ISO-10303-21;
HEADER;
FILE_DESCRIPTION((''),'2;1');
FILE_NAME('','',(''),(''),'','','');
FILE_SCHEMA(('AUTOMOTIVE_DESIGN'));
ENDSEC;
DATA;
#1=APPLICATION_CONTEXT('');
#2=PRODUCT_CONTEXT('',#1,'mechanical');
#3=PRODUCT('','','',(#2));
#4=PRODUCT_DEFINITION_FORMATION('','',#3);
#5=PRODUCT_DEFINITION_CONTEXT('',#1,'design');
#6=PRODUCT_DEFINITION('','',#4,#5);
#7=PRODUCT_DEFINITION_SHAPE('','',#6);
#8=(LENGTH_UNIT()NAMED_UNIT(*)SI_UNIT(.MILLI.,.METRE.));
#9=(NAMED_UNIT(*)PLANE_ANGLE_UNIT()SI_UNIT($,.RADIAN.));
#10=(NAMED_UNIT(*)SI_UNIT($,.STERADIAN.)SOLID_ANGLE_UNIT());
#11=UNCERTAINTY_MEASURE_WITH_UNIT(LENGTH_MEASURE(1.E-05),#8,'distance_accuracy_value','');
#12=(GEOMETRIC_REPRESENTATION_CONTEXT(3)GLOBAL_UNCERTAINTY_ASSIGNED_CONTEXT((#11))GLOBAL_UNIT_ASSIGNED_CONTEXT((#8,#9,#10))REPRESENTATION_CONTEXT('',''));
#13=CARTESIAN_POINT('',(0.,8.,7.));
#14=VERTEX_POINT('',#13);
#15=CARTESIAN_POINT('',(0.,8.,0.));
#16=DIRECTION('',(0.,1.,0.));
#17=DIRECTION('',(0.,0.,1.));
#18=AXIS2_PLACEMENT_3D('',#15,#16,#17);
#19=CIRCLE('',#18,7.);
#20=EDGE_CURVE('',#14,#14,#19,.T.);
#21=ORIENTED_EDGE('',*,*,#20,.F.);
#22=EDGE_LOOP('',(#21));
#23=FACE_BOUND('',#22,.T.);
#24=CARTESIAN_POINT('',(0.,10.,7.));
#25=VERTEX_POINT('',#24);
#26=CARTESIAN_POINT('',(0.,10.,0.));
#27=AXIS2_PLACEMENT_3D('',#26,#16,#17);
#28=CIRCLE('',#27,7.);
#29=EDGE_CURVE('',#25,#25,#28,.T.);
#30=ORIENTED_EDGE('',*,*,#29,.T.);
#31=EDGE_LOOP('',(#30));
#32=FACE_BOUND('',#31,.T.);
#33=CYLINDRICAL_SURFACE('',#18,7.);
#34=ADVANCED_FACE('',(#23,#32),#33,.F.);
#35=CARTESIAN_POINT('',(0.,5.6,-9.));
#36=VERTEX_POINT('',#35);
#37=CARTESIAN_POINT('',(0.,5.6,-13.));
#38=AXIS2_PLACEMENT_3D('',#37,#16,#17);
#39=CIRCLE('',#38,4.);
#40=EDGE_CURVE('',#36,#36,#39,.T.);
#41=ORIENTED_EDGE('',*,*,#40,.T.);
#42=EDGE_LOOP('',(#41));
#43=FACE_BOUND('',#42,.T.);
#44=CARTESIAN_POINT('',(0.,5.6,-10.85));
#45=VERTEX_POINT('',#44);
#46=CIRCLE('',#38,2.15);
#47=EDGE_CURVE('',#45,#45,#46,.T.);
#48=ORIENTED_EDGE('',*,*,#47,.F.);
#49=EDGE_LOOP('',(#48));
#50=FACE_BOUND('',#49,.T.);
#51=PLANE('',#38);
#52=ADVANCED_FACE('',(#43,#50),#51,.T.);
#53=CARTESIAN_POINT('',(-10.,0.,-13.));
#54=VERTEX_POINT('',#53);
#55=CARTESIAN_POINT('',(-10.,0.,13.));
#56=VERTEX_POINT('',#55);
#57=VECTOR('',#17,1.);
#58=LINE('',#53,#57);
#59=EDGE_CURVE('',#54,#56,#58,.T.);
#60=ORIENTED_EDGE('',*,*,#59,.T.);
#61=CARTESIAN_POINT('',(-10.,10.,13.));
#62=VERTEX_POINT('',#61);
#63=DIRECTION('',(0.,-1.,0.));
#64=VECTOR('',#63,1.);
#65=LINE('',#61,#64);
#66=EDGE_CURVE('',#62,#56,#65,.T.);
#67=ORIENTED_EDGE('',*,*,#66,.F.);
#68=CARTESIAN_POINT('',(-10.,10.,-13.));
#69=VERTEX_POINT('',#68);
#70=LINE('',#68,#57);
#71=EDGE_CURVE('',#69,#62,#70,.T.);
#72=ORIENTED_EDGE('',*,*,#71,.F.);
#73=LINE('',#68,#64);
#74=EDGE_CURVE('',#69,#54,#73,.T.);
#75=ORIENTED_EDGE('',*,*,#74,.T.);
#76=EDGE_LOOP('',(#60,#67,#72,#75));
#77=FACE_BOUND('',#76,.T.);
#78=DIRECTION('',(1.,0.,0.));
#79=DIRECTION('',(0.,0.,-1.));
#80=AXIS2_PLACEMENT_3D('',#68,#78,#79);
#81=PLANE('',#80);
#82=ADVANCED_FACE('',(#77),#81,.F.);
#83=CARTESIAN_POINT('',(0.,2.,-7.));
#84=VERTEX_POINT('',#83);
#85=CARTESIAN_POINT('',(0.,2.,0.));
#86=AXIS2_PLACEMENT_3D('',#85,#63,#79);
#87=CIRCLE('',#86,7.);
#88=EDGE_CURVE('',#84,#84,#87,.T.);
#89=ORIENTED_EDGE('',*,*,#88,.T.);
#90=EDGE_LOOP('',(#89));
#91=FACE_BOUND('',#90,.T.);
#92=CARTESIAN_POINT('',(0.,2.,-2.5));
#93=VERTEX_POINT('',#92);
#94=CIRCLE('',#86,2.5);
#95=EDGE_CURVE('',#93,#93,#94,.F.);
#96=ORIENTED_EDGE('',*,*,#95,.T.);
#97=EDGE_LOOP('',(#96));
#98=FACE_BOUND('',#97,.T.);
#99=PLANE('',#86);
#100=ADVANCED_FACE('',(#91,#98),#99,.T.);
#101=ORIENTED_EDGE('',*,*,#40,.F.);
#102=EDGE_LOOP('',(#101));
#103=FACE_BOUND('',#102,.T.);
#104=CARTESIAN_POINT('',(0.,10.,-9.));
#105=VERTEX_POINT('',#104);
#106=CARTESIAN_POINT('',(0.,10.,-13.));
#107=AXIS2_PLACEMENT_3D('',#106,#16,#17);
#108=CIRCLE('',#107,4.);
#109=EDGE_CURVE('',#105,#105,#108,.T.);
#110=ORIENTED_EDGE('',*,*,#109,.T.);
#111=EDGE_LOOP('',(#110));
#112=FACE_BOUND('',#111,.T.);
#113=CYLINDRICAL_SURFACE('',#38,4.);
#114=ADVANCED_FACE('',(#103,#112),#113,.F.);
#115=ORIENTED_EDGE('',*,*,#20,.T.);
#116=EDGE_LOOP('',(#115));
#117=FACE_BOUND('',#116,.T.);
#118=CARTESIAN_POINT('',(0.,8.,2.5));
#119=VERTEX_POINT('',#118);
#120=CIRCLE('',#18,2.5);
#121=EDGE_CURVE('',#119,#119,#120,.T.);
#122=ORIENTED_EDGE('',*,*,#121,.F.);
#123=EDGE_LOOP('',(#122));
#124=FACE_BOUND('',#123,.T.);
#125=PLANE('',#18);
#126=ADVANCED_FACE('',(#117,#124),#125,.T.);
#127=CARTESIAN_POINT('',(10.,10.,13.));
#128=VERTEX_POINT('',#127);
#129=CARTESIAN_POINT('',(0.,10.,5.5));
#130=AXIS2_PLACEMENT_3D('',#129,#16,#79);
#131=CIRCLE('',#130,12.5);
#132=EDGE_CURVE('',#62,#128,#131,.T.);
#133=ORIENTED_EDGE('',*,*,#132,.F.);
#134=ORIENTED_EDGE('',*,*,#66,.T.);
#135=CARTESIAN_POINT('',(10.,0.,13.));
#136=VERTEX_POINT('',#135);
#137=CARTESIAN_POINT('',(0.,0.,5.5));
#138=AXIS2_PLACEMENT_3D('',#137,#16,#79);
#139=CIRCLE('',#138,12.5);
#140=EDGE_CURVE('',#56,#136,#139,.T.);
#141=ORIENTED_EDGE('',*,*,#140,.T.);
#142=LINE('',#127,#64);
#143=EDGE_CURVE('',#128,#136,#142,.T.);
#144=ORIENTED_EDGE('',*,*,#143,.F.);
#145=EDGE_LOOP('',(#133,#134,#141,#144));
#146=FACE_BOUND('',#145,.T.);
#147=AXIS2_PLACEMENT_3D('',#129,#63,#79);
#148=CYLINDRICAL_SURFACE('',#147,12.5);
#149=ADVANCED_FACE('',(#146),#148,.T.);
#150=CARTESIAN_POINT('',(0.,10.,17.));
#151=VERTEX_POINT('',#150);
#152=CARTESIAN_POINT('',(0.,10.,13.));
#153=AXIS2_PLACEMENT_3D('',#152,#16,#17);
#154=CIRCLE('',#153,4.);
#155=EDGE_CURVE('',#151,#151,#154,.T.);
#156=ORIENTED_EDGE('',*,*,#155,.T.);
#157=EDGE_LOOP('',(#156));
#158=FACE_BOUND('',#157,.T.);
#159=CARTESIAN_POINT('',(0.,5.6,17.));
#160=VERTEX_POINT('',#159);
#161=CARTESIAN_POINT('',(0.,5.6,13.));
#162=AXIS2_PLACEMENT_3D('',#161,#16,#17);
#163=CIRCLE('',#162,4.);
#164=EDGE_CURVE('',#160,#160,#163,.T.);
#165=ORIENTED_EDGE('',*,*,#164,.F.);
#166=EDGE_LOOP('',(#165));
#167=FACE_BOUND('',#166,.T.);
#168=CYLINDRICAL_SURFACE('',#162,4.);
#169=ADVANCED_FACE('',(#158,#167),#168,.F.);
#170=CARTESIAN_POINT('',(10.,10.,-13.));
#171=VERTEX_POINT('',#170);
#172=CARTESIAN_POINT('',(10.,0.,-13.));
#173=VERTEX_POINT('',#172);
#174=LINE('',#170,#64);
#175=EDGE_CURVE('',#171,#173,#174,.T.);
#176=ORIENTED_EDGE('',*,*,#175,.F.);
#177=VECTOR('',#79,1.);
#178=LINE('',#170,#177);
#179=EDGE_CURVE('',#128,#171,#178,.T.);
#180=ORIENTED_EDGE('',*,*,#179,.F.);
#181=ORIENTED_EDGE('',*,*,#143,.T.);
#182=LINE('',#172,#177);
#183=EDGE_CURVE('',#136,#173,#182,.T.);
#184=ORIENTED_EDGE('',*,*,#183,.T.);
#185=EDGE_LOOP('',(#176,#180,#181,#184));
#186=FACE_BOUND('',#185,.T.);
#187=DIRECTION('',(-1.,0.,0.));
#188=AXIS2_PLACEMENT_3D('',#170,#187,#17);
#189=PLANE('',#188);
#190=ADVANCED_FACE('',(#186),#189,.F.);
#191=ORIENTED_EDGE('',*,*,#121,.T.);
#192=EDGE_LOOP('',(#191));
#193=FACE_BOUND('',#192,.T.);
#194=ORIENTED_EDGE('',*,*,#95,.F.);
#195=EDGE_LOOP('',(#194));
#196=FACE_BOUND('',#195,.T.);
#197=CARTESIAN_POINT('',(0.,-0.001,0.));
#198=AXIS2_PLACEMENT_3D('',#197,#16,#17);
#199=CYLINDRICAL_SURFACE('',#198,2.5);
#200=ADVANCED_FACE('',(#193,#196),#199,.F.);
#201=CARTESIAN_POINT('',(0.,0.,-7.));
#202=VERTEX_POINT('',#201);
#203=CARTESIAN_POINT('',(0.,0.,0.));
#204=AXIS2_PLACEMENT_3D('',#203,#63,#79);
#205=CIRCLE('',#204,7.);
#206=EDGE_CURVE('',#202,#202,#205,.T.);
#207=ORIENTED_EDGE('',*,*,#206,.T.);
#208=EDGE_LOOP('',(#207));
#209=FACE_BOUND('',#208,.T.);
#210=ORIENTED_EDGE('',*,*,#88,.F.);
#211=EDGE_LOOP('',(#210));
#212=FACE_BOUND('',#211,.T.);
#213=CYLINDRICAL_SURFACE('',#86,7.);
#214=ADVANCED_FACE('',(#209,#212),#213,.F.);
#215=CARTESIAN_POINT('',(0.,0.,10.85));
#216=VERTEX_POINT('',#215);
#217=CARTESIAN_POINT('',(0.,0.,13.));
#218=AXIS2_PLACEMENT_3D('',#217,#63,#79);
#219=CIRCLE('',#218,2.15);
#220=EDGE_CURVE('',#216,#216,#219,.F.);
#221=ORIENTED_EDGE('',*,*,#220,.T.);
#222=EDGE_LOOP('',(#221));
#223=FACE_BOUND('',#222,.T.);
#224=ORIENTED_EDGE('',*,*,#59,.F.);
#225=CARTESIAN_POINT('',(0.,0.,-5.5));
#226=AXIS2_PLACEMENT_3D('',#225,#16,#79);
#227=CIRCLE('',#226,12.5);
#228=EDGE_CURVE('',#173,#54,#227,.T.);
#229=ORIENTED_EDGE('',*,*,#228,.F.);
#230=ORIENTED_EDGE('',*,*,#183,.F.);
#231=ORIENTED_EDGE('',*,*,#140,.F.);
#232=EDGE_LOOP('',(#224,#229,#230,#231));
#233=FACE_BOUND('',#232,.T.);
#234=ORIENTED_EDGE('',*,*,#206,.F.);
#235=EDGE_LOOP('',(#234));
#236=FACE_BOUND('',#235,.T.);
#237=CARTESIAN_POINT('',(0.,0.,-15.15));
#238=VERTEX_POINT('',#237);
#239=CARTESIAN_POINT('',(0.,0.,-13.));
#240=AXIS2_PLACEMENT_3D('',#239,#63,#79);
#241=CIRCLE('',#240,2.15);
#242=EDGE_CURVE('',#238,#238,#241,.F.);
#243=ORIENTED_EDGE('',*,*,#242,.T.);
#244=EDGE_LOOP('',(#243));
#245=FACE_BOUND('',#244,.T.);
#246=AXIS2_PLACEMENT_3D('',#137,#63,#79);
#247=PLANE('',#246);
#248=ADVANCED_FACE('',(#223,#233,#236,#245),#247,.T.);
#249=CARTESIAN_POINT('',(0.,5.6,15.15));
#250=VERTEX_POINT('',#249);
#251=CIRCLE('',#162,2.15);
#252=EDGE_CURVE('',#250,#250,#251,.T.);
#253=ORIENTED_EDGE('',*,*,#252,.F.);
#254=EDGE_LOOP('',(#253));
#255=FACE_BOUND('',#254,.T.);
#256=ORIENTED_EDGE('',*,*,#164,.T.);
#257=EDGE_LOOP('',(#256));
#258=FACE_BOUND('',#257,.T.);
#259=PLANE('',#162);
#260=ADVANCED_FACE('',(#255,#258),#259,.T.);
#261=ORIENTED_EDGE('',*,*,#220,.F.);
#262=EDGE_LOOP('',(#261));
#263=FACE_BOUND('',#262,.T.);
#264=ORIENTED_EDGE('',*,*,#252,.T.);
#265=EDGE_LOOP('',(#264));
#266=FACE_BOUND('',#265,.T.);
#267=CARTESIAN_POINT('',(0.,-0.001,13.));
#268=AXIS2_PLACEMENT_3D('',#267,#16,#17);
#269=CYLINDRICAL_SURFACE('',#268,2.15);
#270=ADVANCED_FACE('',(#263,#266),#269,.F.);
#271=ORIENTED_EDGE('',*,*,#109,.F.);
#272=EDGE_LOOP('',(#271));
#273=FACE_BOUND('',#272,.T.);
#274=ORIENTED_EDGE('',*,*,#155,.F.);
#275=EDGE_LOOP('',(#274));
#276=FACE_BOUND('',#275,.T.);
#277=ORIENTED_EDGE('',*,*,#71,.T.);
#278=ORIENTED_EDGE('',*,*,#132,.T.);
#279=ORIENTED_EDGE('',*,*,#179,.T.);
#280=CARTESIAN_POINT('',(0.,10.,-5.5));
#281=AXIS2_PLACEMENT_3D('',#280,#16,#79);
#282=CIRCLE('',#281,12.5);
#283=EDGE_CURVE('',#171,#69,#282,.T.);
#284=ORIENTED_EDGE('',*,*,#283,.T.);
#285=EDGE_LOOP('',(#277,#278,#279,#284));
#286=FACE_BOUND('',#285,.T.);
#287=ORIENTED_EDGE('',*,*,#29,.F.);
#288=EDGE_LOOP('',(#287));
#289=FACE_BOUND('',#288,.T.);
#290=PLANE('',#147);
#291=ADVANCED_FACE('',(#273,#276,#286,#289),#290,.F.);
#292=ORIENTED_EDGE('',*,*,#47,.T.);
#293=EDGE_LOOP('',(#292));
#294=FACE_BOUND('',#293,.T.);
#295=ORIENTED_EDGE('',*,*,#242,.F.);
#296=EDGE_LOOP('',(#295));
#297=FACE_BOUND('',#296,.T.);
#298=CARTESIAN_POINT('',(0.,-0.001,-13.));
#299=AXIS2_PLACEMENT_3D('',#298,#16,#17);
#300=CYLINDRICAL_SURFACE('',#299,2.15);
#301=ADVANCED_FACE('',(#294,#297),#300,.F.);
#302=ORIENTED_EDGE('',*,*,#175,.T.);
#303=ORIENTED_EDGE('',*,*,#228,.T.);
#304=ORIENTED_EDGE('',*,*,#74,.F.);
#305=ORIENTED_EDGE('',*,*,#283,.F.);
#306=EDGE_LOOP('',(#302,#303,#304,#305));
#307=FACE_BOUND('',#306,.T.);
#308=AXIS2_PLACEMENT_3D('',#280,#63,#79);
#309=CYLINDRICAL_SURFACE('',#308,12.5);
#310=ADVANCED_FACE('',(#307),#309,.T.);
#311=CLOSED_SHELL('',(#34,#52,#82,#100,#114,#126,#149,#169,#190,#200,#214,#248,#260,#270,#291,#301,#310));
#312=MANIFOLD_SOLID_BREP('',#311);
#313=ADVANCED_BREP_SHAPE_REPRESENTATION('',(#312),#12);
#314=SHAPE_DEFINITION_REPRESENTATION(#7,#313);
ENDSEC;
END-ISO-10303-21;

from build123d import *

# Parameters (mm, degrees)
BOSS_EXTRUDE1_DEPTH = 10
SKETCH2_R           = 4
CUT_EXTRUDE1_DEPTH  = 4.4
CUT_EXTRUDE2_REACH  = 23.339
SKETCH3_R           = 2.15
SKETCH4_R           = 7
CUT_EXTRUDE3_DEPTH  = 2
CUT_EXTRUDE4_REACH  = 24.091
SKETCH5_R           = 2.5
CUT_EXTRUDE5_START  = -2
SKETCH6_R           = 7
CUT_EXTRUDE5_DEPTH  = 2


with BuildPart() as part:
    # Sketch1 → Boss-Extrude1 (new body)
    with BuildSketch(Plane(origin=(0, 0, 0), x_dir=(1, 0, 0), z_dir=(0, 1, 0))):
        with BuildLine():
            Line((-10, 13), (-10, -13))
            ThreePointArc((-10, -13), (0, -18), (10, -13))
            Line((10, -13), (10, 13))
            ThreePointArc((10, 13), (0, 18), (-10, 13))
        make_face()
    extrude(amount=BOSS_EXTRUDE1_DEPTH)

    # Sketch2 → Cut-Extrude1 (cut)
    with BuildSketch(Plane(origin=(0, 10, 0), x_dir=(1, 0, 0), z_dir=(0, 1, 0))):
        with Locations(Location((0, 13, 0), (0, 0, 270))):
            Circle(SKETCH2_R)
        with Locations(Location((0, -13, 0), (0, 0, 270))):
            Circle(SKETCH2_R)
    extrude(amount=-CUT_EXTRUDE1_DEPTH, mode=Mode.SUBTRACT)

    # Sketch3 → Cut-Extrude2 (cut, up to next)
    with BuildSketch(Plane(origin=(0, 5.6, 0), x_dir=(1, 0, 0), z_dir=(0, 1, 0)), mode=Mode.PRIVATE) as cut_extrude2_sk1:
        with Locations(Location((0, 13, 0), (0, 0, 270))):
            Circle(SKETCH3_R)
    cut_extrude2_tool1 = extrude(cut_extrude2_sk1.sketch, amount=-CUT_EXTRUDE2_REACH, mode=Mode.PRIVATE) & part.part
    # Sketch3 → Cut-Extrude2 (cut, up to next)
    with BuildSketch(Plane(origin=(0, 5.6, 0), x_dir=(1, 0, 0), z_dir=(0, 1, 0)), mode=Mode.PRIVATE) as cut_extrude2_sk2:
        with Locations(Location((0, -13, 0), (0, 0, 270))):
            Circle(SKETCH3_R)
    cut_extrude2_tool2 = extrude(cut_extrude2_sk2.sketch, amount=-CUT_EXTRUDE2_REACH, mode=Mode.PRIVATE) & part.part
    add(cut_extrude2_tool1.solids().sort_by_distance((0, 5.6, -13))[0], mode=Mode.SUBTRACT)
    add(cut_extrude2_tool2.solids().sort_by_distance((0, 5.6, 13))[0], mode=Mode.SUBTRACT)

    # Sketch4 → Cut-Extrude3 (cut)
    with BuildSketch(Plane(origin=(0, 10, 0), x_dir=(1, 0, 0), z_dir=(0, 1, 0))):
        with Locations(Location((0, 0, 0), (0, 0, 270))):
            Circle(SKETCH4_R)
    extrude(amount=-CUT_EXTRUDE3_DEPTH, mode=Mode.SUBTRACT)

    # Sketch5 → Cut-Extrude4 (cut, up to next)
    with BuildSketch(Plane(origin=(0, 8, 0), x_dir=(1, 0, 0), z_dir=(0, 1, 0)), mode=Mode.PRIVATE) as cut_extrude4_sk1:
        with Locations(Location((0, 0, 0), (0, 0, 270))):
            Circle(SKETCH5_R)
    cut_extrude4_tool1 = extrude(cut_extrude4_sk1.sketch, amount=-CUT_EXTRUDE4_REACH, mode=Mode.PRIVATE) & part.part
    add(cut_extrude4_tool1.solids().sort_by_distance((0, 8, 0))[0], mode=Mode.SUBTRACT)

    # Sketch6 → Cut-Extrude5 (cut)
    with BuildSketch(Plane.XZ.offset(CUT_EXTRUDE5_START)):
        with Locations(Location((0, 0, 0), (0, 0, 90))):
            Circle(SKETCH6_R)
    extrude(amount=CUT_EXTRUDE5_DEPTH, mode=Mode.SUBTRACT)


solid = part.part
